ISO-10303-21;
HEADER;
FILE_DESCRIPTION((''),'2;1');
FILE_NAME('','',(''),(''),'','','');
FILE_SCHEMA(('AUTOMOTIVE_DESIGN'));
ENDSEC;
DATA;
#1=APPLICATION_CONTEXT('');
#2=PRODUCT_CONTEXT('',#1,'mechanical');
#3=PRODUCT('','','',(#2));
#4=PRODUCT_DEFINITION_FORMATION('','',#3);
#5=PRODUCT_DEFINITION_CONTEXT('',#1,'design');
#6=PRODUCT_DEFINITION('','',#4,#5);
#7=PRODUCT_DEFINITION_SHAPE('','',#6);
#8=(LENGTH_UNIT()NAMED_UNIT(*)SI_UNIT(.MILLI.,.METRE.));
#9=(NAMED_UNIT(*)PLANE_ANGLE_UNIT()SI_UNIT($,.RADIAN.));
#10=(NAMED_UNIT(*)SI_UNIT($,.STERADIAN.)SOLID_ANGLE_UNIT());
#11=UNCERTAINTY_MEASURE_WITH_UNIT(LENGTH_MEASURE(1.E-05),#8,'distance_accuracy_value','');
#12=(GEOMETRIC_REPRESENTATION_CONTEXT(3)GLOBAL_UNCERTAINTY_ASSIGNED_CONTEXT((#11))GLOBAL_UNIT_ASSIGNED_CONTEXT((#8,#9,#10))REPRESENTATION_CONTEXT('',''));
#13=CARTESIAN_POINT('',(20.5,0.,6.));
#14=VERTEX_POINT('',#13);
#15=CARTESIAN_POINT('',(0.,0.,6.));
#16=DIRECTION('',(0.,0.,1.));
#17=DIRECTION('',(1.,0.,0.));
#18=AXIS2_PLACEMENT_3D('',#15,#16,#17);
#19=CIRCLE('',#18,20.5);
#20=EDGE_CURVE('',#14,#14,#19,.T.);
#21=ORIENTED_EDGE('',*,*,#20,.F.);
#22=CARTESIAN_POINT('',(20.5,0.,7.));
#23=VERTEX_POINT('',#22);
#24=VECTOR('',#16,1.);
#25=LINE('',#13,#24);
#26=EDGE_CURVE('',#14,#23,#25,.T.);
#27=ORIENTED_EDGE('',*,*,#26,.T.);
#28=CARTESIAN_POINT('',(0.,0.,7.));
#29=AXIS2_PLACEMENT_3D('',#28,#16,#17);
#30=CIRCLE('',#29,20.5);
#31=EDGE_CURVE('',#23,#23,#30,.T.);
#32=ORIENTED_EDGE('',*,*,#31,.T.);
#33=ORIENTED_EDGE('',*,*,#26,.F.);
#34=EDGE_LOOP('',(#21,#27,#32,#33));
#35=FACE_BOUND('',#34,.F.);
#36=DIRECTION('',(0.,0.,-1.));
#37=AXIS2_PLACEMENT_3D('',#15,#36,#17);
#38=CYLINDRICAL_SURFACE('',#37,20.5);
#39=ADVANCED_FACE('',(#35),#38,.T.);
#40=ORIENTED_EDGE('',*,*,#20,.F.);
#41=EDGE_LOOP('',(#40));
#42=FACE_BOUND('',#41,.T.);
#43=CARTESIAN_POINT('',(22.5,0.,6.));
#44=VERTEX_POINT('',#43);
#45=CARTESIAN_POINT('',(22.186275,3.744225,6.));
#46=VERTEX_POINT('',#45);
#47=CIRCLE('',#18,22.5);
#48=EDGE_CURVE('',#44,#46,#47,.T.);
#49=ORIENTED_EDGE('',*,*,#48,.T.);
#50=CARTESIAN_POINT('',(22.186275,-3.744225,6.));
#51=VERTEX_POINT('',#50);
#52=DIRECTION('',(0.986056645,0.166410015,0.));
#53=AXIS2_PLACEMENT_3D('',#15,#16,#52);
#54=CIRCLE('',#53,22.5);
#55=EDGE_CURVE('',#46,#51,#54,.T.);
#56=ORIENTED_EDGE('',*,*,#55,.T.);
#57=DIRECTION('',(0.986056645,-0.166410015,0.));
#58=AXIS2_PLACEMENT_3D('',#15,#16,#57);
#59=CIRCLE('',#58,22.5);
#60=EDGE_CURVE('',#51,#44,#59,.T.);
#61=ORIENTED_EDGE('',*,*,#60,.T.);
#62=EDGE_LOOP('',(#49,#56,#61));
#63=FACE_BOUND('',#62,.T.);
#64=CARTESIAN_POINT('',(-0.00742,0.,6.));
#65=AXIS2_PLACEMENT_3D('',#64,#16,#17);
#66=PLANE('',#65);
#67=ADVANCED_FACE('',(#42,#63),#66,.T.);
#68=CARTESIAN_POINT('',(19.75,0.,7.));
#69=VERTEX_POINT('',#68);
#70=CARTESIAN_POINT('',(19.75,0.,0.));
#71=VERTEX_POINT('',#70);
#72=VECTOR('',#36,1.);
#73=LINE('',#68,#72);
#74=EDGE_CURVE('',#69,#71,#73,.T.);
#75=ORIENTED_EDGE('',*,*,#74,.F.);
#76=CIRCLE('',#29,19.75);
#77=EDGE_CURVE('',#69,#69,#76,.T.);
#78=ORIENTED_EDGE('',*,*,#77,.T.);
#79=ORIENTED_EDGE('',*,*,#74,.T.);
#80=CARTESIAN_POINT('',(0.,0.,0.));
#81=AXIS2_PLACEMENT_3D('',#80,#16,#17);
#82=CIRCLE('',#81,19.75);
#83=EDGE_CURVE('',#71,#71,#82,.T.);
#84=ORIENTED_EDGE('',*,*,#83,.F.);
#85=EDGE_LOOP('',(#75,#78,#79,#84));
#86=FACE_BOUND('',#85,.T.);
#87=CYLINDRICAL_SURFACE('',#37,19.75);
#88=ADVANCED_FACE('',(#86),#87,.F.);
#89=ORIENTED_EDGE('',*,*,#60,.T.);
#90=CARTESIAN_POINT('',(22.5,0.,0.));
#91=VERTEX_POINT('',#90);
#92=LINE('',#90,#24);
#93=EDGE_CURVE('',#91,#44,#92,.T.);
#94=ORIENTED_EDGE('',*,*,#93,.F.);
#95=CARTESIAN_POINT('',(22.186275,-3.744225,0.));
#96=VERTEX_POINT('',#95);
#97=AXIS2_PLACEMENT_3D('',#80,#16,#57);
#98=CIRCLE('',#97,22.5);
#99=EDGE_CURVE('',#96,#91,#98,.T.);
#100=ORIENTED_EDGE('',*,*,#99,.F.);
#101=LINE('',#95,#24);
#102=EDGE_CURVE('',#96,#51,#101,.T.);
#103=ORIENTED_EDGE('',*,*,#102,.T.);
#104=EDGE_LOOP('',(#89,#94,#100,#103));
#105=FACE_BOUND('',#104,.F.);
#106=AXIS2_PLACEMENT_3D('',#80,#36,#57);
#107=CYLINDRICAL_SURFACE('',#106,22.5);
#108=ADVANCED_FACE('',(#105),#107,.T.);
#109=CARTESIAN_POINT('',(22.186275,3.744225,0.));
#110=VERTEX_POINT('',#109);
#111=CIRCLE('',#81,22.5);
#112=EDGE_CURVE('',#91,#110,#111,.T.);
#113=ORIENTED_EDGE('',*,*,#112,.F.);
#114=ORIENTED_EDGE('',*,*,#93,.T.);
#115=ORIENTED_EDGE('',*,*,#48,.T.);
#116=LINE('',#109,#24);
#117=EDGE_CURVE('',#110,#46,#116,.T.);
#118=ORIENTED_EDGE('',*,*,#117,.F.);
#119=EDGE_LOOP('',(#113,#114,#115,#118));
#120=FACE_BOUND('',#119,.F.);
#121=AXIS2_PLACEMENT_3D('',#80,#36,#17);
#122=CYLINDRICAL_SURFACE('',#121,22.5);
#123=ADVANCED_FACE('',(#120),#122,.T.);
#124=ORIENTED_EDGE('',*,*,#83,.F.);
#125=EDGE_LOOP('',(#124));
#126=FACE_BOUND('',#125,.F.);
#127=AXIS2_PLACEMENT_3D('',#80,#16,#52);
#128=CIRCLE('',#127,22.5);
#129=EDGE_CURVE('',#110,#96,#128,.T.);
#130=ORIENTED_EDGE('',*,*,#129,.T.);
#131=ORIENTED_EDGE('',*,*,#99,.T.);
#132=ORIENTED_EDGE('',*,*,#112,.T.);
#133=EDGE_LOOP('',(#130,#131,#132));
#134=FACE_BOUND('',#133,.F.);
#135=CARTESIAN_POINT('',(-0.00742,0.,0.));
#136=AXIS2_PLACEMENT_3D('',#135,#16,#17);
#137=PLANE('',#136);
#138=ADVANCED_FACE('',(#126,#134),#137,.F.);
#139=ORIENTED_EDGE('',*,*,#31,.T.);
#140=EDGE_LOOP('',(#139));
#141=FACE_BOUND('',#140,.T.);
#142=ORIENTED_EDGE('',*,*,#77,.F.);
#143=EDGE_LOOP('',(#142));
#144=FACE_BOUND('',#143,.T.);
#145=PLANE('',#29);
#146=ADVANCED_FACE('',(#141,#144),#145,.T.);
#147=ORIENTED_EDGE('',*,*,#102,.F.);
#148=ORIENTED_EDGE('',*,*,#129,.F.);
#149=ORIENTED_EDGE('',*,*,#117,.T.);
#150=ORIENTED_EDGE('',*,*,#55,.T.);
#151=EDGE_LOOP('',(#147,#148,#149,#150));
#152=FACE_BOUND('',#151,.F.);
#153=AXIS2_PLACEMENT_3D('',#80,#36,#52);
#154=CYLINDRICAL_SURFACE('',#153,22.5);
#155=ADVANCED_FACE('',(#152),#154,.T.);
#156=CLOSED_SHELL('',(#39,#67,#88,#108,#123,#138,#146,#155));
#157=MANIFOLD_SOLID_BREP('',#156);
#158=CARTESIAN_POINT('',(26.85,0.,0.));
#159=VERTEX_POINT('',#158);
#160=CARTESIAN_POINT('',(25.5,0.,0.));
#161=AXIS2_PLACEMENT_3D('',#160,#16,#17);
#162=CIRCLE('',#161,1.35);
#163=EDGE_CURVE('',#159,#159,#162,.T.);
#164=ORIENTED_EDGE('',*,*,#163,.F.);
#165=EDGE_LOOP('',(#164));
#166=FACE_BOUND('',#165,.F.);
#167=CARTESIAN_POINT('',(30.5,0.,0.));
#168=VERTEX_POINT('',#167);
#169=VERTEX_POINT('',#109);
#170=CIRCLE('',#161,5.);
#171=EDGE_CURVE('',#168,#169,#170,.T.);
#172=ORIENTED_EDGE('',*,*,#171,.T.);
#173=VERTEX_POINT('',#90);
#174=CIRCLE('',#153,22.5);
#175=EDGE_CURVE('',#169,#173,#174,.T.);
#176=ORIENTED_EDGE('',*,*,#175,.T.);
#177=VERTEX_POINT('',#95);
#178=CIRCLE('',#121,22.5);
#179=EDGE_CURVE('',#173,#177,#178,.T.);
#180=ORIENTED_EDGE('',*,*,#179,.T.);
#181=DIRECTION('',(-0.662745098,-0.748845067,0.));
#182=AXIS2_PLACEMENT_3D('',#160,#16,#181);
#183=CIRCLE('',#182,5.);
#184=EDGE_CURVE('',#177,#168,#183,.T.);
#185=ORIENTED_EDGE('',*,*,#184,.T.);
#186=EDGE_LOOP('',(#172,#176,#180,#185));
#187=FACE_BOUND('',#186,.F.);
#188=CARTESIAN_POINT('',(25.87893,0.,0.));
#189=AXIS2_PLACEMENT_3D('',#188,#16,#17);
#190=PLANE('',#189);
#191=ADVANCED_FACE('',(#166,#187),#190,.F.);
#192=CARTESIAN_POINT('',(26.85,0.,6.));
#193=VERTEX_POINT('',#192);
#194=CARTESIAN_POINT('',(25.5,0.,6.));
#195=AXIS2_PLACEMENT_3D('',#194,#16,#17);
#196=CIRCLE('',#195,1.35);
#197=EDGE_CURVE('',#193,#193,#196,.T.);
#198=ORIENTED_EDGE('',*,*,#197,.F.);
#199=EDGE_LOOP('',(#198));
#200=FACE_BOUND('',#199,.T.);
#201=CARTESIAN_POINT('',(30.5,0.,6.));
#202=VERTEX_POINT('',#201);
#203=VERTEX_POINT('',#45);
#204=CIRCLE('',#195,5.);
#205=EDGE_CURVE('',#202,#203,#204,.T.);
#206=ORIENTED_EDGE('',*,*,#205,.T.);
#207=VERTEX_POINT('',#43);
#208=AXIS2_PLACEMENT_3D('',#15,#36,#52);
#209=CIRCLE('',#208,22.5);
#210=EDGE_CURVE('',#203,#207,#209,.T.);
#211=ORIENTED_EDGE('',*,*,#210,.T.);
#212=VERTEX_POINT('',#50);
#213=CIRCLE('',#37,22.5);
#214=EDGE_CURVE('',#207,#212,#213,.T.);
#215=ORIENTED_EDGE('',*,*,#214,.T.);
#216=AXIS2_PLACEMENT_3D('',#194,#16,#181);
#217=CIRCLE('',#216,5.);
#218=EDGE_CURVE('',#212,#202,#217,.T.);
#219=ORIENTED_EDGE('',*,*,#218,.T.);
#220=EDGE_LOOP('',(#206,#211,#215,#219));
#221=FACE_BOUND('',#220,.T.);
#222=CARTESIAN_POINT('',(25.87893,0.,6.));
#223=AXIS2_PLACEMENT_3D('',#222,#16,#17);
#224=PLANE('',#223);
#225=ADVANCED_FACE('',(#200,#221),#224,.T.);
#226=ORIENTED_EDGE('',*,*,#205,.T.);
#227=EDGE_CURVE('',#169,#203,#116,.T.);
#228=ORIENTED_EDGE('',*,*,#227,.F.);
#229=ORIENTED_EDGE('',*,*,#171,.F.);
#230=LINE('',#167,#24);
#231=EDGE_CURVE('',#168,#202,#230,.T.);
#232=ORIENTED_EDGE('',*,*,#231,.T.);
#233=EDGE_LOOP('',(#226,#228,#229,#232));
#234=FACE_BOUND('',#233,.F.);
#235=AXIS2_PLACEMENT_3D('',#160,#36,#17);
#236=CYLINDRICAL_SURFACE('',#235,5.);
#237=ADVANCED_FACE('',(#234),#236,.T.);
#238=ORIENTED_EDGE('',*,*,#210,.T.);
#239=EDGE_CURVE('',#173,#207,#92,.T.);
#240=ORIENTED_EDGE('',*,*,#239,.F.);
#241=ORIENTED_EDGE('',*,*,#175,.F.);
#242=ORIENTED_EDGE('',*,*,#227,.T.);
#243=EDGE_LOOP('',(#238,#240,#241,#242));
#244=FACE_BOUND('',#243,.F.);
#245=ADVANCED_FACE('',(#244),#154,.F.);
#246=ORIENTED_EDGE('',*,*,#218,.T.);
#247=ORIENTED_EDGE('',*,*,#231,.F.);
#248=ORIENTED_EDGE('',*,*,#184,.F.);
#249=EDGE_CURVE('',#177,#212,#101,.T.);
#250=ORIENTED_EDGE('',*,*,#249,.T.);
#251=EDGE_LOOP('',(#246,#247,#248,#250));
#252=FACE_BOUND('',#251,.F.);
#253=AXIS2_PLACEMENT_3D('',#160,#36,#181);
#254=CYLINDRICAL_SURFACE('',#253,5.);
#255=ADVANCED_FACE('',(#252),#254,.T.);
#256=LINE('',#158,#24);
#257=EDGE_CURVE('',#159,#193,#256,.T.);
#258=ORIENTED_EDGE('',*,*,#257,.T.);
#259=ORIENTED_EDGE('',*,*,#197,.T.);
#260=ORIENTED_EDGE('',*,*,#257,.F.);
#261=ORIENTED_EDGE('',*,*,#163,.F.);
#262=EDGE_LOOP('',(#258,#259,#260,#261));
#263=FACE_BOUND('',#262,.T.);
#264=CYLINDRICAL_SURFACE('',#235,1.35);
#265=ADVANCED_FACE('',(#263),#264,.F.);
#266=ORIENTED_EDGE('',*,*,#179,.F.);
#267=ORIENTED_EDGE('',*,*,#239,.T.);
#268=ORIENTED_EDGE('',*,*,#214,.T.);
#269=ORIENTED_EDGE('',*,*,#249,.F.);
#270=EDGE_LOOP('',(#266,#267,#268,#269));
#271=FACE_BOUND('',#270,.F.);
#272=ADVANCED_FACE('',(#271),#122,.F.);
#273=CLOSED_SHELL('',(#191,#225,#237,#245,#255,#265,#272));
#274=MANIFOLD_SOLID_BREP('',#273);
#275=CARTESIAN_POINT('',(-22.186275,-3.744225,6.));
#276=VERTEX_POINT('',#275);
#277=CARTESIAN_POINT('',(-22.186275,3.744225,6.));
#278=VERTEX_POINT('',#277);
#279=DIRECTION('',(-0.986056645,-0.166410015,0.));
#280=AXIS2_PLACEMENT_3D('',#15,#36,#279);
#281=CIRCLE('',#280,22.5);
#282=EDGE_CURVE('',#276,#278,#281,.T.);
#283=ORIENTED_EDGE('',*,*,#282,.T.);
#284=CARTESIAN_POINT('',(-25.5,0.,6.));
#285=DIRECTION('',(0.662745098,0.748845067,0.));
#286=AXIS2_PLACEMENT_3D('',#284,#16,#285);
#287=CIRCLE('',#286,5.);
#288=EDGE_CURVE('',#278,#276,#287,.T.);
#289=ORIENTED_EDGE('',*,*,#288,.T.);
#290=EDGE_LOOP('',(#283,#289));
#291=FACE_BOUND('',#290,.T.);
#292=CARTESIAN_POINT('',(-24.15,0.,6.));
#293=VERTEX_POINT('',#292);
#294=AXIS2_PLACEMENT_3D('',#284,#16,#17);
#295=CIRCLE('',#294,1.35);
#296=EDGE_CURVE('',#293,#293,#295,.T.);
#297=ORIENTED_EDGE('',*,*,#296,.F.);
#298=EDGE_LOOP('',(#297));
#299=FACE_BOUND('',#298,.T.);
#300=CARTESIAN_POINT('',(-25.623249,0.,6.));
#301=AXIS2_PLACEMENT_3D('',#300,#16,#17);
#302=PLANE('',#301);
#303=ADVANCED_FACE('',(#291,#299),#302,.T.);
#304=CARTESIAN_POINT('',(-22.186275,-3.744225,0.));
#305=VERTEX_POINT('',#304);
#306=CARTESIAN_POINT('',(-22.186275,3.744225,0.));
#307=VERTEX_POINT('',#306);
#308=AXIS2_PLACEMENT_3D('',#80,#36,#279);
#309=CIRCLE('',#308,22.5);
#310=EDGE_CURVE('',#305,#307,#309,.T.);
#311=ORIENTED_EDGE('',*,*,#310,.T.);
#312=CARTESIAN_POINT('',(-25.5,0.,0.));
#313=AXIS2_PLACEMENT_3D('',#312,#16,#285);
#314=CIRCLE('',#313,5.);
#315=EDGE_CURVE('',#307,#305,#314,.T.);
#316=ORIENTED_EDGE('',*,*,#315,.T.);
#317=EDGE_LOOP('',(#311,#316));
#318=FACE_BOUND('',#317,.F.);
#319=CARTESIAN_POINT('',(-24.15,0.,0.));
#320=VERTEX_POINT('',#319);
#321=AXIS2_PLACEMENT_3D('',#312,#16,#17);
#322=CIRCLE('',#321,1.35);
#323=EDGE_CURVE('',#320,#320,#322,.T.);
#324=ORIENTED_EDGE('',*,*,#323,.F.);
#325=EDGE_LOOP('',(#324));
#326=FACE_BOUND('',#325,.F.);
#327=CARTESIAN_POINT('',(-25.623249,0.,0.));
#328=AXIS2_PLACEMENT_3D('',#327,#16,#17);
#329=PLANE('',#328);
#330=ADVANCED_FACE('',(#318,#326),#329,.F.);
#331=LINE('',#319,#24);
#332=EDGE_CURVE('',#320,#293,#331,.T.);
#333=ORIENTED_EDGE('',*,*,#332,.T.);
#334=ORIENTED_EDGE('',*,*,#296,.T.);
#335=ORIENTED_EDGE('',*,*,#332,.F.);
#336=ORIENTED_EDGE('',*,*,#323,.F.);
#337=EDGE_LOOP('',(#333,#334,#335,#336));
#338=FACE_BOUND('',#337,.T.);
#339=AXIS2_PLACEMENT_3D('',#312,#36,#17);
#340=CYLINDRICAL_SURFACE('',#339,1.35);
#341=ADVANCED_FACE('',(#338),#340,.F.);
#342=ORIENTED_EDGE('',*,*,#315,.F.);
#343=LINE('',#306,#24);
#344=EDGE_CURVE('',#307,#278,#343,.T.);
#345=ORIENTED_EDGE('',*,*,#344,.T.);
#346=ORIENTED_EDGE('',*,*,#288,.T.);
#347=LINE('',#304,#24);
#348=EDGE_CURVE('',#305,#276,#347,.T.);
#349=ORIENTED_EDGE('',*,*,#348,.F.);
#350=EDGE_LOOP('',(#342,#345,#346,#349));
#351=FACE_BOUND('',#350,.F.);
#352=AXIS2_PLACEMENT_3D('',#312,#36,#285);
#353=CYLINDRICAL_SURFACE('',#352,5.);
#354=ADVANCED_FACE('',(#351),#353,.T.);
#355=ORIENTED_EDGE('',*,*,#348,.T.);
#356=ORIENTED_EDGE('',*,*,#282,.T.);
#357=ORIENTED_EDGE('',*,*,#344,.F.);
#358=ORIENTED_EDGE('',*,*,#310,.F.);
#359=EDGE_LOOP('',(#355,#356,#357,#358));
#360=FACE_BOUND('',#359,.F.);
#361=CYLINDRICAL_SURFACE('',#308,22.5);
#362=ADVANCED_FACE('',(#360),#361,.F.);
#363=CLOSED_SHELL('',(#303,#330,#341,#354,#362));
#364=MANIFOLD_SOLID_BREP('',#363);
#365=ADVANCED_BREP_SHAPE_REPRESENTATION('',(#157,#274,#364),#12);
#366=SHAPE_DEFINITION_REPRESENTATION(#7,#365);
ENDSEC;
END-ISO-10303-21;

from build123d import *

# Parameters (mm, degrees)
F0_R     = 1.35
F1_DEPTH = 6
F0_R_2   = 19.75
F2_DEPTH = 6
F3_DEPTH = 2
F5_R     = 20.5
F5_R_2   = 19.75
F6_DEPTH = 1


with BuildPart() as f1:
    # F0 (on Top) → F1 (new body)
    with BuildSketch(Plane.XY):
        with BuildLine():
            ThreePointArc((-22.1862745098, -3.7442253372), (-22.5, 0), (-22.1862745098, 3.7442253372))
            ThreePointArc((-22.1862745098, 3.7442253372), (-30.5, 0), (-22.1862745098, -3.7442253372))
        make_face()
        with Locations((-25.5, 0)):
            Circle(F0_R, mode=Mode.SUBTRACT)
    extrude(amount=F1_DEPTH)


with BuildPart() as f1b:
    # F0 (on Top) → F1, piece 2 (new body)
    with BuildSketch(Plane.XY):
        with BuildLine():
            ThreePointArc((22.1862745098, 3.7442253372), (22.4214314493, 1.8786728733), (22.5, 0))
            ThreePointArc((22.5, 0), (22.4214314493, -1.8786728733), (22.1862745098, -3.7442253372))
            ThreePointArc((22.1862745098, -3.7442253372), (27.5532136456, -4.5589816544), (30.5, 0))
            ThreePointArc((30.5, 0), (27.5532136456, 4.5589816544), (22.1862745098, 3.7442253372))
        make_face()
        with Locations((25.5, 0)):
            Circle(F0_R, mode=Mode.SUBTRACT)
    extrude(amount=F1_DEPTH)


with BuildPart() as f2:
    # F0 (on Top) → F2 (new body)
    with BuildSketch(Plane.XY):
        with BuildLine():
            ThreePointArc((22.1862745098, -3.7442253372), (20.5, 0), (22.1862745098, 3.7442253372))
            ThreePointArc((22.1862745098, 3.7442253372), (0, 22.5), (-22.1862745098, 3.7442253372))
            ThreePointArc((-22.1862745098, 3.7442253372), (-20.9410183456, 2.0532136456), (-20.5, 0))
            ThreePointArc((-20.5, 0), (-20.9410183456, -2.0532136456), (-22.1862745098, -3.7442253372))
            ThreePointArc((-22.1862745098, -3.7442253372), (0, -22.5), (22.1862745098, -3.7442253372))
        make_face()
        Circle(F0_R_2, mode=Mode.SUBTRACT)
        with BuildLine():
            ThreePointArc((-20.5, 0), (-20.9410183456, 2.0532136456), (-22.1862745098, 3.7442253372))
            ThreePointArc((-22.1862745098, 3.7442253372), (-22.5, 0), (-22.1862745098, -3.7442253372))
            ThreePointArc((-22.1862745098, -3.7442253372), (-20.9410183456, -2.0532136456), (-20.5, 0))
        make_face()
        with BuildLine():
            ThreePointArc((22.1862745098, -3.7442253372), (22.4214314493, -1.8786728733), (22.5, 0))
            ThreePointArc((22.5, 0), (22.4214314493, 1.8786728733), (22.1862745098, 3.7442253372))
            ThreePointArc((22.1862745098, 3.7442253372), (20.5, 0), (22.1862745098, -3.7442253372))
        make_face()
    extrude(amount=F2_DEPTH)

    # F5 (on face) → F6 (join)
    with BuildSketch(Plane.XY.offset(6)):
        Circle(F5_R)
        Circle(F5_R_2, mode=Mode.SUBTRACT)
    extrude(amount=F6_DEPTH)


with BuildPart() as f3:
    # F0 (on Top) → F3 (new body)
    with BuildSketch(Plane.XY):
        Circle(F0_R_2)
    extrude(amount=F3_DEPTH)


solid = Compound([f1.part, f1b.part, f2.part])
